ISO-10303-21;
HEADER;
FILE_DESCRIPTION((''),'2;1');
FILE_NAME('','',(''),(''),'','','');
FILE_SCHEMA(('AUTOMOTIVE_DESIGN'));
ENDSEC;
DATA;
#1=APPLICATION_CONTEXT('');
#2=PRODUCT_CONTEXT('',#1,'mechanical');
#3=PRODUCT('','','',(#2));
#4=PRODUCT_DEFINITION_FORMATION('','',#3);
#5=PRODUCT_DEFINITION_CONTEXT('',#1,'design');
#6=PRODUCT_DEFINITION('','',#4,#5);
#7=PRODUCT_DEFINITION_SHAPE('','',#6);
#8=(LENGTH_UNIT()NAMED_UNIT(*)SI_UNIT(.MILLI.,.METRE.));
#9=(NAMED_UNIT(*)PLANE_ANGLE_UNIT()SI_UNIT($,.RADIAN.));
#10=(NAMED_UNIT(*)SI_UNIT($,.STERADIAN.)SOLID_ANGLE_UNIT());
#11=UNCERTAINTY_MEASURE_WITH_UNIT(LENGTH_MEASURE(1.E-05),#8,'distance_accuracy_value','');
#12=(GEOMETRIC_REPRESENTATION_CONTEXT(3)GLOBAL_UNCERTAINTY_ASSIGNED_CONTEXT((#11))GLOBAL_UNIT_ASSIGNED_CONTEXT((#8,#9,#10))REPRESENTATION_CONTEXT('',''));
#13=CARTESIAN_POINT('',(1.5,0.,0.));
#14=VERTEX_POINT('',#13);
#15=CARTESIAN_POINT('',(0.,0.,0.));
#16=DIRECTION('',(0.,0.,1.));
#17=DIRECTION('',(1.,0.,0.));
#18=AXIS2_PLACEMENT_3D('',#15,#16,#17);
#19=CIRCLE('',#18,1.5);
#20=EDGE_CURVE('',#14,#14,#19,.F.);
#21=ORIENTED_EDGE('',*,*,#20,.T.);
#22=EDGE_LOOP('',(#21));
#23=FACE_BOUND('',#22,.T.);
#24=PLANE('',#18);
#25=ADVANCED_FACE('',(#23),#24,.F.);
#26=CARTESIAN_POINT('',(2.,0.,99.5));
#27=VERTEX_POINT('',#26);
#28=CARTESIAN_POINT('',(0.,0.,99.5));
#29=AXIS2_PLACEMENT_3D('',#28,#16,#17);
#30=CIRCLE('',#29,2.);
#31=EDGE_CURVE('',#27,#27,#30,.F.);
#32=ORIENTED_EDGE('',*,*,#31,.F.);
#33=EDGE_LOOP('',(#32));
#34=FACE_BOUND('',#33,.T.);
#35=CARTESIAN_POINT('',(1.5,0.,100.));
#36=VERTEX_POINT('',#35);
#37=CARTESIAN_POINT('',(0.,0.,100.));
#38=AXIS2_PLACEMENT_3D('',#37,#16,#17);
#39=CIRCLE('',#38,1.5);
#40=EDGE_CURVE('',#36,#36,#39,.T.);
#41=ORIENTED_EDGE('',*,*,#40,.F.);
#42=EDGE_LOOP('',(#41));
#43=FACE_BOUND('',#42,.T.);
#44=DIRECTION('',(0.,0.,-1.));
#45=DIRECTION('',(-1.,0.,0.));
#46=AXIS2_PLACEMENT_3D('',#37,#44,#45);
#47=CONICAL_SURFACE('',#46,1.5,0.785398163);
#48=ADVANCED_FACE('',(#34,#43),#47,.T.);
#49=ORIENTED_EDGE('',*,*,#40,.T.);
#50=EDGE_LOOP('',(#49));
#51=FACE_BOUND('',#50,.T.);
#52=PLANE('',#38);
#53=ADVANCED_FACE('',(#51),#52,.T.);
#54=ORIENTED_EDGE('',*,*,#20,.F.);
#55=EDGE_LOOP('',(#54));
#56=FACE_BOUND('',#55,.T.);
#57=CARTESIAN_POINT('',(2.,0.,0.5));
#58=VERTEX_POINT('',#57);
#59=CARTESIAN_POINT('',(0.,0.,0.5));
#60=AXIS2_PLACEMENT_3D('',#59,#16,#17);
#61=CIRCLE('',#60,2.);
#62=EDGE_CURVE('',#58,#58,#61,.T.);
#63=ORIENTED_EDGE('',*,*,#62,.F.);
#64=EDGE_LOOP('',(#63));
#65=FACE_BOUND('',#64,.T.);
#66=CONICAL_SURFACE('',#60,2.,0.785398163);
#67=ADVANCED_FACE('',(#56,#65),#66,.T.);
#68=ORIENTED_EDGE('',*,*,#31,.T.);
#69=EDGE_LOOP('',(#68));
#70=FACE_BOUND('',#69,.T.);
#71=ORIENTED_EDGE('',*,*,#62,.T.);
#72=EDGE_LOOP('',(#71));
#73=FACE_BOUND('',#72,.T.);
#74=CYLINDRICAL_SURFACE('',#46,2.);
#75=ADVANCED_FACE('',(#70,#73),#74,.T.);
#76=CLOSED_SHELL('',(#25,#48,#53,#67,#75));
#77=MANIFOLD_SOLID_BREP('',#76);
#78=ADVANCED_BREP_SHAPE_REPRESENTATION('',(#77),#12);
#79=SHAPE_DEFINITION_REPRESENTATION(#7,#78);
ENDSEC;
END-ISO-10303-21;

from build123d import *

# Parameters (mm, degrees)
CROQUIS1_R              = 2
SALIENTE_EXTRUIR1_DEPTH = 100
CHAFL_N1_SIZE           = 0.5


with BuildPart() as part:
    # Croquis1 → Saliente-Extruir1 (new body)
    with BuildSketch(Plane.XY):
        Circle(CROQUIS1_R)
    extrude(amount=SALIENTE_EXTRUIR1_DEPTH)

    # Chaflán1
    chafl_n1_edges = [part.edges().sort_by_distance(p)[0] for p in [
        (-2, 0, 0),
        (-2, 0, 100),
    ]]
    chamfer(chafl_n1_edges, length=CHAFL_N1_SIZE)


solid = part.part
